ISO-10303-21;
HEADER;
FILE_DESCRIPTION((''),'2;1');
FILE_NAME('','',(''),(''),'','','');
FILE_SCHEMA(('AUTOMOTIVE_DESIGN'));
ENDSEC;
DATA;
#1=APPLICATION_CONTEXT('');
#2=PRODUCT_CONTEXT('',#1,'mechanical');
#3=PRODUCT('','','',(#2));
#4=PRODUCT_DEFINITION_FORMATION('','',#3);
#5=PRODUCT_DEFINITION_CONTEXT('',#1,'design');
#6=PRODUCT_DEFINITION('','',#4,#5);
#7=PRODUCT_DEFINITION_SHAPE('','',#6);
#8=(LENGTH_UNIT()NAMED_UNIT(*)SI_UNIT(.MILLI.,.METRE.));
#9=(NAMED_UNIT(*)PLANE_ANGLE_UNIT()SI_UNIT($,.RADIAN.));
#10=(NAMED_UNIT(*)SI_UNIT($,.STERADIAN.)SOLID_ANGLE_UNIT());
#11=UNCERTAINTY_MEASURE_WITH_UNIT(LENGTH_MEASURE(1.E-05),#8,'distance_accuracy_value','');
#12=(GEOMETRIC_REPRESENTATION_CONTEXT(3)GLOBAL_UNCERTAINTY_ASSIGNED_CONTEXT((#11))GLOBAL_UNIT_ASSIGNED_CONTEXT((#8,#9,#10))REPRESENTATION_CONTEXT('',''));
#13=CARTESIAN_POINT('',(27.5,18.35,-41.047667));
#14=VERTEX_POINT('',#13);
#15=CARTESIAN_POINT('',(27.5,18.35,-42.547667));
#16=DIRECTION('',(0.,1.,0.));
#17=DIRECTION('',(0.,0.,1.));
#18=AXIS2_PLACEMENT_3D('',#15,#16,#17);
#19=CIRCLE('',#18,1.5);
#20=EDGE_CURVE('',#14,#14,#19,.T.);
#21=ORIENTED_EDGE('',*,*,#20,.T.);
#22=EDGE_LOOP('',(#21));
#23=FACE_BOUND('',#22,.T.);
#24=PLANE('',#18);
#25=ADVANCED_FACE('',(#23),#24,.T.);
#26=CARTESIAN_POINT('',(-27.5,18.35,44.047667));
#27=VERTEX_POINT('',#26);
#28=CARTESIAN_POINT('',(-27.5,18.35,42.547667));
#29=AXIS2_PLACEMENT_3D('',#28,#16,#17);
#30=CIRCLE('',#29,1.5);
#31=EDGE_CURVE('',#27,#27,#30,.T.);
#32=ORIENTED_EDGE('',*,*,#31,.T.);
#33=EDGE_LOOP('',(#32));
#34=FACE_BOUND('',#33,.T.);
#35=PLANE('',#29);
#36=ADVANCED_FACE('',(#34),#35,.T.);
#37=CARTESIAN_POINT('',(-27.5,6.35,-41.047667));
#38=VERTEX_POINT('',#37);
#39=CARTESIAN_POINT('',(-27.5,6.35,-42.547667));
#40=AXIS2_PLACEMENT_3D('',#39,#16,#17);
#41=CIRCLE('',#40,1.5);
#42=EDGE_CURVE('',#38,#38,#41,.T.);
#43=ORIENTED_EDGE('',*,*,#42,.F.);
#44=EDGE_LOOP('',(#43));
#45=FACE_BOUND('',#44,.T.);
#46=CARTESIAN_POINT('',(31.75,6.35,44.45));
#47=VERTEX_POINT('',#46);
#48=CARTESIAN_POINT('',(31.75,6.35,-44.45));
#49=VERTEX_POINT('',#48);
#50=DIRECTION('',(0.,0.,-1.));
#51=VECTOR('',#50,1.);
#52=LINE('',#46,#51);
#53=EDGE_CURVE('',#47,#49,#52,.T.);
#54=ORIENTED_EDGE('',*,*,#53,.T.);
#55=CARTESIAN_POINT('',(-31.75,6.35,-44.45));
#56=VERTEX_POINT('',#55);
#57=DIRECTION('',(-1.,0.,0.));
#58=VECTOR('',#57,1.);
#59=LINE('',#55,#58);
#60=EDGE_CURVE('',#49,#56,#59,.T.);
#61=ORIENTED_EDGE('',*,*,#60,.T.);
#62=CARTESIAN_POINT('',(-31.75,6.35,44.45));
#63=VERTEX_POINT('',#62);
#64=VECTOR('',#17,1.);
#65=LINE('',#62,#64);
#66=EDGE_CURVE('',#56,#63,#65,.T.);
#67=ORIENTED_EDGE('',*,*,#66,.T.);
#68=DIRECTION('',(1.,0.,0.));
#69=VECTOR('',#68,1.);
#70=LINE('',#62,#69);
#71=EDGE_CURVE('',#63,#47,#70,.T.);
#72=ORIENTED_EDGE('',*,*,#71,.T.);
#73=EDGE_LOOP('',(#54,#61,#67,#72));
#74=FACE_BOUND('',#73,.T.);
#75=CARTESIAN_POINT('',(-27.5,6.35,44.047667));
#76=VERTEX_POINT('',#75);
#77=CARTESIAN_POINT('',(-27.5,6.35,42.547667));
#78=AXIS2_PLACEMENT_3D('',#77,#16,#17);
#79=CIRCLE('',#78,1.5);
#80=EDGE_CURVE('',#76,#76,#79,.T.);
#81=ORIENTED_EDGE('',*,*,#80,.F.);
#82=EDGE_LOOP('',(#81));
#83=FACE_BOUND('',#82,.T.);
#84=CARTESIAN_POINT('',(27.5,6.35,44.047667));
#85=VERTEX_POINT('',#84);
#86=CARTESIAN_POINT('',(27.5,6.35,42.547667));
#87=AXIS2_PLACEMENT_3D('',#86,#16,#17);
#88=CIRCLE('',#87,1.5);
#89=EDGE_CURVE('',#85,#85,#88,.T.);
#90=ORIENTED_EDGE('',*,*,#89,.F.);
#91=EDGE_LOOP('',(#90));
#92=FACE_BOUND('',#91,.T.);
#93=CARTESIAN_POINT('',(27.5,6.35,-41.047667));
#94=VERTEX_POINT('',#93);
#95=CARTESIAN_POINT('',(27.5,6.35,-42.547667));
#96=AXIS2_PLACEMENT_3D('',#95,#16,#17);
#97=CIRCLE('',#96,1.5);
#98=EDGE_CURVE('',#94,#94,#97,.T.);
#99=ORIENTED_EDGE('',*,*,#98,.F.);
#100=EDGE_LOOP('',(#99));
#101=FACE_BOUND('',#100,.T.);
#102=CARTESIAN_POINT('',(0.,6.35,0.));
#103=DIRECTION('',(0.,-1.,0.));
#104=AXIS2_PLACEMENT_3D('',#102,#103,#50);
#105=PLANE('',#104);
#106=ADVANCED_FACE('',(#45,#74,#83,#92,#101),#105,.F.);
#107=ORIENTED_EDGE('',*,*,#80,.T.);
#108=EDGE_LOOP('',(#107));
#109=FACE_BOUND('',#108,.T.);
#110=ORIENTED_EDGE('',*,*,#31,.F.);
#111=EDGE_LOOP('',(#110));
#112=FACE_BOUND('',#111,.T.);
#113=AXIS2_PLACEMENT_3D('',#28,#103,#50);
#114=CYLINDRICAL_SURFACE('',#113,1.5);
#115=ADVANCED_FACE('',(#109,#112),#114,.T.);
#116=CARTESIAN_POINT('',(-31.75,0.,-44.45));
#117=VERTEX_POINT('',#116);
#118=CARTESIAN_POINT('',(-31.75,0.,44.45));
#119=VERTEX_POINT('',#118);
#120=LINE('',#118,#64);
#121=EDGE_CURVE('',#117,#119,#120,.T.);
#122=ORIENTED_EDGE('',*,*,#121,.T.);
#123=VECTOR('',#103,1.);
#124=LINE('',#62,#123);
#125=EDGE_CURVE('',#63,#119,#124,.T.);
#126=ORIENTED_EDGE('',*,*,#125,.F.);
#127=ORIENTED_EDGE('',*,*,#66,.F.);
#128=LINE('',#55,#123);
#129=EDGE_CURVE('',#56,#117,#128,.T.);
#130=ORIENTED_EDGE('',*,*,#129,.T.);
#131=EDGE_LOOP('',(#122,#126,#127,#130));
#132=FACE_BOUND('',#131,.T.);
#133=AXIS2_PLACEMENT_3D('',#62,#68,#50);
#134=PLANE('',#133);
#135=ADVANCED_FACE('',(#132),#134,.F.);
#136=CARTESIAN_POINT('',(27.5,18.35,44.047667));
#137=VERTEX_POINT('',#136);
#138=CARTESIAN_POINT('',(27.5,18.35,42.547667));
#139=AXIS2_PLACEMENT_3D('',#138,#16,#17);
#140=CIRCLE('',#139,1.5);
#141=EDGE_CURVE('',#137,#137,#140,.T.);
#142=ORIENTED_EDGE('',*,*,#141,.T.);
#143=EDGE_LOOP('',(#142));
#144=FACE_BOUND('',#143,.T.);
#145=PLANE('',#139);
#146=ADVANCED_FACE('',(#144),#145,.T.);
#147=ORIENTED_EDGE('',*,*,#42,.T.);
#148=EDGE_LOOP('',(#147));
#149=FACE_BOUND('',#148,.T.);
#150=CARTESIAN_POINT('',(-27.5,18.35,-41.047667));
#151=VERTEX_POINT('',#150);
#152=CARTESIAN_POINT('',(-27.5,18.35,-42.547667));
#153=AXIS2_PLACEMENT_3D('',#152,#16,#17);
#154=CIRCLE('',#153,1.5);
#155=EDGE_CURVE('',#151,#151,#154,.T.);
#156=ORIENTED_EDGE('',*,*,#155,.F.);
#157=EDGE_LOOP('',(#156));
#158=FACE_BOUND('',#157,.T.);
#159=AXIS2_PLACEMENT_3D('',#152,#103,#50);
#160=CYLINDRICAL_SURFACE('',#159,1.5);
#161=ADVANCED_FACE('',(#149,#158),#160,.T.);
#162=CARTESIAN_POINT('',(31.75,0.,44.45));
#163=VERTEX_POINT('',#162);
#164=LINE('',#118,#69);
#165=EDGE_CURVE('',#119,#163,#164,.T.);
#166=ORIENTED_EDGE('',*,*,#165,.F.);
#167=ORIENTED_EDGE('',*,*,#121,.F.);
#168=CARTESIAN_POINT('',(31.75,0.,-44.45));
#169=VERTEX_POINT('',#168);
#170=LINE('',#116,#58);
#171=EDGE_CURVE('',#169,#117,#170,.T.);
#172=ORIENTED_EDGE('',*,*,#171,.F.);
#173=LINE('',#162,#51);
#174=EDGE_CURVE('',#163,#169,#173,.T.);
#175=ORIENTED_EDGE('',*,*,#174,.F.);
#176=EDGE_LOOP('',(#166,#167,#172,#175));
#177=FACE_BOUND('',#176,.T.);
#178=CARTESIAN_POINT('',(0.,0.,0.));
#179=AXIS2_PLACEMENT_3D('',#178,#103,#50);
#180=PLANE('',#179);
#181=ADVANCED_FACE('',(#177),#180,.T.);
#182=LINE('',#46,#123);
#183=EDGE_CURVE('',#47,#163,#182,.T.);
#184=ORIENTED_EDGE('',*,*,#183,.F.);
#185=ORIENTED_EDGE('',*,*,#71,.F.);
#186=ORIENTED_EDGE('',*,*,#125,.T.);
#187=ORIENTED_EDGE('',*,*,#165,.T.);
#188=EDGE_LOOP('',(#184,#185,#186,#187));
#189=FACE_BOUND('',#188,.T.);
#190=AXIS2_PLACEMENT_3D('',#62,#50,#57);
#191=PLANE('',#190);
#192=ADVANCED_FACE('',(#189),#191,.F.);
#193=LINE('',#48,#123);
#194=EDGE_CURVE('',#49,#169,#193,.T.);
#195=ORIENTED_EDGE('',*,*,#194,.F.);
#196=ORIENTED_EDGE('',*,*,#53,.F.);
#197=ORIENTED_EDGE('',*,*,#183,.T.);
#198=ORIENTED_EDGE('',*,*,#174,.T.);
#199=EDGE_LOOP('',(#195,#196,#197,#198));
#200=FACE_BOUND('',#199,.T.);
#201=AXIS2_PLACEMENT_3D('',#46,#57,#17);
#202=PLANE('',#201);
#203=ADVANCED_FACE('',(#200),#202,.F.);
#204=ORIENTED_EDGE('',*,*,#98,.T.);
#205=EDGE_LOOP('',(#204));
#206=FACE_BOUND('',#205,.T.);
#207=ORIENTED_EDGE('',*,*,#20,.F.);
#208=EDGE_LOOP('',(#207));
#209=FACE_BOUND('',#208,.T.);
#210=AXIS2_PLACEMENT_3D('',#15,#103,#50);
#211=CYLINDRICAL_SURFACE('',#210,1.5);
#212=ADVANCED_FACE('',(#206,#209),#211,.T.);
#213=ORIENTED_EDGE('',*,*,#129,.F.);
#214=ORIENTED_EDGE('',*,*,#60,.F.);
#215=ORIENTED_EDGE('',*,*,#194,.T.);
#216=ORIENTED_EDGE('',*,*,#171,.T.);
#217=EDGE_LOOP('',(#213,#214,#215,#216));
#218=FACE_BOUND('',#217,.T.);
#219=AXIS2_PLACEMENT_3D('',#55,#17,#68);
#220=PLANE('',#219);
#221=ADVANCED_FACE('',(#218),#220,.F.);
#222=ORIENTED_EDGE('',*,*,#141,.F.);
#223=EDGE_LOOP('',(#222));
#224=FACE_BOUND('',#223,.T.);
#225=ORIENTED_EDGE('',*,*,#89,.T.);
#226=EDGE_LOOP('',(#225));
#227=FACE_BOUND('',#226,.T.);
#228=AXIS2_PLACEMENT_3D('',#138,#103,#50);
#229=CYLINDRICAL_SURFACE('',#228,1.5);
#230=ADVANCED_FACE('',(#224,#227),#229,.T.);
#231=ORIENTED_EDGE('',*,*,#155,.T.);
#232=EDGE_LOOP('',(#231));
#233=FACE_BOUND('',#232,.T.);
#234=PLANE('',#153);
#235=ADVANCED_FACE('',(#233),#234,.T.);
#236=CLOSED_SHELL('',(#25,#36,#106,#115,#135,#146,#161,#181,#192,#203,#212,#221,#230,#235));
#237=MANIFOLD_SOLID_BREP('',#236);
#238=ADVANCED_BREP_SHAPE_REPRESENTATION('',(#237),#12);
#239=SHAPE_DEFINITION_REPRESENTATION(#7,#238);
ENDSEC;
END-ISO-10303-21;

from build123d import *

# Parameters (mm, degrees)
SKETCH1_W           = 63.5
SKETCH1_H           = 88.9
BOSS_EXTRUDE1_DEPTH = 6.35
SKETCH2_R           = 1.5
BOSS_EXTRUDE2_DEPTH = 12


with BuildPart() as part:
    # Sketch1 → Boss-Extrude1 (new body)
    with BuildSketch(Plane(origin=(0, 0, 0), x_dir=(1, 0, 0), z_dir=(0, 1, 0))):
        Rectangle(SKETCH1_W, SKETCH1_H)
    extrude(amount=BOSS_EXTRUDE1_DEPTH)

    # Sketch2 → Boss-Extrude2 (add)
    with BuildSketch(Plane(origin=(0, 6.35, 0), x_dir=(1, 0, 0), z_dir=(0, 1, 0))):
        with Locations(Location((-27.5, 42.547666838, 0), (0, 0, 270))):
            Circle(SKETCH2_R)
        with Locations(Location((27.5, 42.547666838, 0), (0, 0, 270))):
            Circle(SKETCH2_R)
        with Locations(Location((27.5, -42.547666838, 0), (0, 0, 270))):
            Circle(SKETCH2_R)
        with Locations(Location((-27.5, -42.547666838, 0), (0, 0, 270))):
            Circle(SKETCH2_R)
    extrude(amount=BOSS_EXTRUDE2_DEPTH)


solid = part.part
